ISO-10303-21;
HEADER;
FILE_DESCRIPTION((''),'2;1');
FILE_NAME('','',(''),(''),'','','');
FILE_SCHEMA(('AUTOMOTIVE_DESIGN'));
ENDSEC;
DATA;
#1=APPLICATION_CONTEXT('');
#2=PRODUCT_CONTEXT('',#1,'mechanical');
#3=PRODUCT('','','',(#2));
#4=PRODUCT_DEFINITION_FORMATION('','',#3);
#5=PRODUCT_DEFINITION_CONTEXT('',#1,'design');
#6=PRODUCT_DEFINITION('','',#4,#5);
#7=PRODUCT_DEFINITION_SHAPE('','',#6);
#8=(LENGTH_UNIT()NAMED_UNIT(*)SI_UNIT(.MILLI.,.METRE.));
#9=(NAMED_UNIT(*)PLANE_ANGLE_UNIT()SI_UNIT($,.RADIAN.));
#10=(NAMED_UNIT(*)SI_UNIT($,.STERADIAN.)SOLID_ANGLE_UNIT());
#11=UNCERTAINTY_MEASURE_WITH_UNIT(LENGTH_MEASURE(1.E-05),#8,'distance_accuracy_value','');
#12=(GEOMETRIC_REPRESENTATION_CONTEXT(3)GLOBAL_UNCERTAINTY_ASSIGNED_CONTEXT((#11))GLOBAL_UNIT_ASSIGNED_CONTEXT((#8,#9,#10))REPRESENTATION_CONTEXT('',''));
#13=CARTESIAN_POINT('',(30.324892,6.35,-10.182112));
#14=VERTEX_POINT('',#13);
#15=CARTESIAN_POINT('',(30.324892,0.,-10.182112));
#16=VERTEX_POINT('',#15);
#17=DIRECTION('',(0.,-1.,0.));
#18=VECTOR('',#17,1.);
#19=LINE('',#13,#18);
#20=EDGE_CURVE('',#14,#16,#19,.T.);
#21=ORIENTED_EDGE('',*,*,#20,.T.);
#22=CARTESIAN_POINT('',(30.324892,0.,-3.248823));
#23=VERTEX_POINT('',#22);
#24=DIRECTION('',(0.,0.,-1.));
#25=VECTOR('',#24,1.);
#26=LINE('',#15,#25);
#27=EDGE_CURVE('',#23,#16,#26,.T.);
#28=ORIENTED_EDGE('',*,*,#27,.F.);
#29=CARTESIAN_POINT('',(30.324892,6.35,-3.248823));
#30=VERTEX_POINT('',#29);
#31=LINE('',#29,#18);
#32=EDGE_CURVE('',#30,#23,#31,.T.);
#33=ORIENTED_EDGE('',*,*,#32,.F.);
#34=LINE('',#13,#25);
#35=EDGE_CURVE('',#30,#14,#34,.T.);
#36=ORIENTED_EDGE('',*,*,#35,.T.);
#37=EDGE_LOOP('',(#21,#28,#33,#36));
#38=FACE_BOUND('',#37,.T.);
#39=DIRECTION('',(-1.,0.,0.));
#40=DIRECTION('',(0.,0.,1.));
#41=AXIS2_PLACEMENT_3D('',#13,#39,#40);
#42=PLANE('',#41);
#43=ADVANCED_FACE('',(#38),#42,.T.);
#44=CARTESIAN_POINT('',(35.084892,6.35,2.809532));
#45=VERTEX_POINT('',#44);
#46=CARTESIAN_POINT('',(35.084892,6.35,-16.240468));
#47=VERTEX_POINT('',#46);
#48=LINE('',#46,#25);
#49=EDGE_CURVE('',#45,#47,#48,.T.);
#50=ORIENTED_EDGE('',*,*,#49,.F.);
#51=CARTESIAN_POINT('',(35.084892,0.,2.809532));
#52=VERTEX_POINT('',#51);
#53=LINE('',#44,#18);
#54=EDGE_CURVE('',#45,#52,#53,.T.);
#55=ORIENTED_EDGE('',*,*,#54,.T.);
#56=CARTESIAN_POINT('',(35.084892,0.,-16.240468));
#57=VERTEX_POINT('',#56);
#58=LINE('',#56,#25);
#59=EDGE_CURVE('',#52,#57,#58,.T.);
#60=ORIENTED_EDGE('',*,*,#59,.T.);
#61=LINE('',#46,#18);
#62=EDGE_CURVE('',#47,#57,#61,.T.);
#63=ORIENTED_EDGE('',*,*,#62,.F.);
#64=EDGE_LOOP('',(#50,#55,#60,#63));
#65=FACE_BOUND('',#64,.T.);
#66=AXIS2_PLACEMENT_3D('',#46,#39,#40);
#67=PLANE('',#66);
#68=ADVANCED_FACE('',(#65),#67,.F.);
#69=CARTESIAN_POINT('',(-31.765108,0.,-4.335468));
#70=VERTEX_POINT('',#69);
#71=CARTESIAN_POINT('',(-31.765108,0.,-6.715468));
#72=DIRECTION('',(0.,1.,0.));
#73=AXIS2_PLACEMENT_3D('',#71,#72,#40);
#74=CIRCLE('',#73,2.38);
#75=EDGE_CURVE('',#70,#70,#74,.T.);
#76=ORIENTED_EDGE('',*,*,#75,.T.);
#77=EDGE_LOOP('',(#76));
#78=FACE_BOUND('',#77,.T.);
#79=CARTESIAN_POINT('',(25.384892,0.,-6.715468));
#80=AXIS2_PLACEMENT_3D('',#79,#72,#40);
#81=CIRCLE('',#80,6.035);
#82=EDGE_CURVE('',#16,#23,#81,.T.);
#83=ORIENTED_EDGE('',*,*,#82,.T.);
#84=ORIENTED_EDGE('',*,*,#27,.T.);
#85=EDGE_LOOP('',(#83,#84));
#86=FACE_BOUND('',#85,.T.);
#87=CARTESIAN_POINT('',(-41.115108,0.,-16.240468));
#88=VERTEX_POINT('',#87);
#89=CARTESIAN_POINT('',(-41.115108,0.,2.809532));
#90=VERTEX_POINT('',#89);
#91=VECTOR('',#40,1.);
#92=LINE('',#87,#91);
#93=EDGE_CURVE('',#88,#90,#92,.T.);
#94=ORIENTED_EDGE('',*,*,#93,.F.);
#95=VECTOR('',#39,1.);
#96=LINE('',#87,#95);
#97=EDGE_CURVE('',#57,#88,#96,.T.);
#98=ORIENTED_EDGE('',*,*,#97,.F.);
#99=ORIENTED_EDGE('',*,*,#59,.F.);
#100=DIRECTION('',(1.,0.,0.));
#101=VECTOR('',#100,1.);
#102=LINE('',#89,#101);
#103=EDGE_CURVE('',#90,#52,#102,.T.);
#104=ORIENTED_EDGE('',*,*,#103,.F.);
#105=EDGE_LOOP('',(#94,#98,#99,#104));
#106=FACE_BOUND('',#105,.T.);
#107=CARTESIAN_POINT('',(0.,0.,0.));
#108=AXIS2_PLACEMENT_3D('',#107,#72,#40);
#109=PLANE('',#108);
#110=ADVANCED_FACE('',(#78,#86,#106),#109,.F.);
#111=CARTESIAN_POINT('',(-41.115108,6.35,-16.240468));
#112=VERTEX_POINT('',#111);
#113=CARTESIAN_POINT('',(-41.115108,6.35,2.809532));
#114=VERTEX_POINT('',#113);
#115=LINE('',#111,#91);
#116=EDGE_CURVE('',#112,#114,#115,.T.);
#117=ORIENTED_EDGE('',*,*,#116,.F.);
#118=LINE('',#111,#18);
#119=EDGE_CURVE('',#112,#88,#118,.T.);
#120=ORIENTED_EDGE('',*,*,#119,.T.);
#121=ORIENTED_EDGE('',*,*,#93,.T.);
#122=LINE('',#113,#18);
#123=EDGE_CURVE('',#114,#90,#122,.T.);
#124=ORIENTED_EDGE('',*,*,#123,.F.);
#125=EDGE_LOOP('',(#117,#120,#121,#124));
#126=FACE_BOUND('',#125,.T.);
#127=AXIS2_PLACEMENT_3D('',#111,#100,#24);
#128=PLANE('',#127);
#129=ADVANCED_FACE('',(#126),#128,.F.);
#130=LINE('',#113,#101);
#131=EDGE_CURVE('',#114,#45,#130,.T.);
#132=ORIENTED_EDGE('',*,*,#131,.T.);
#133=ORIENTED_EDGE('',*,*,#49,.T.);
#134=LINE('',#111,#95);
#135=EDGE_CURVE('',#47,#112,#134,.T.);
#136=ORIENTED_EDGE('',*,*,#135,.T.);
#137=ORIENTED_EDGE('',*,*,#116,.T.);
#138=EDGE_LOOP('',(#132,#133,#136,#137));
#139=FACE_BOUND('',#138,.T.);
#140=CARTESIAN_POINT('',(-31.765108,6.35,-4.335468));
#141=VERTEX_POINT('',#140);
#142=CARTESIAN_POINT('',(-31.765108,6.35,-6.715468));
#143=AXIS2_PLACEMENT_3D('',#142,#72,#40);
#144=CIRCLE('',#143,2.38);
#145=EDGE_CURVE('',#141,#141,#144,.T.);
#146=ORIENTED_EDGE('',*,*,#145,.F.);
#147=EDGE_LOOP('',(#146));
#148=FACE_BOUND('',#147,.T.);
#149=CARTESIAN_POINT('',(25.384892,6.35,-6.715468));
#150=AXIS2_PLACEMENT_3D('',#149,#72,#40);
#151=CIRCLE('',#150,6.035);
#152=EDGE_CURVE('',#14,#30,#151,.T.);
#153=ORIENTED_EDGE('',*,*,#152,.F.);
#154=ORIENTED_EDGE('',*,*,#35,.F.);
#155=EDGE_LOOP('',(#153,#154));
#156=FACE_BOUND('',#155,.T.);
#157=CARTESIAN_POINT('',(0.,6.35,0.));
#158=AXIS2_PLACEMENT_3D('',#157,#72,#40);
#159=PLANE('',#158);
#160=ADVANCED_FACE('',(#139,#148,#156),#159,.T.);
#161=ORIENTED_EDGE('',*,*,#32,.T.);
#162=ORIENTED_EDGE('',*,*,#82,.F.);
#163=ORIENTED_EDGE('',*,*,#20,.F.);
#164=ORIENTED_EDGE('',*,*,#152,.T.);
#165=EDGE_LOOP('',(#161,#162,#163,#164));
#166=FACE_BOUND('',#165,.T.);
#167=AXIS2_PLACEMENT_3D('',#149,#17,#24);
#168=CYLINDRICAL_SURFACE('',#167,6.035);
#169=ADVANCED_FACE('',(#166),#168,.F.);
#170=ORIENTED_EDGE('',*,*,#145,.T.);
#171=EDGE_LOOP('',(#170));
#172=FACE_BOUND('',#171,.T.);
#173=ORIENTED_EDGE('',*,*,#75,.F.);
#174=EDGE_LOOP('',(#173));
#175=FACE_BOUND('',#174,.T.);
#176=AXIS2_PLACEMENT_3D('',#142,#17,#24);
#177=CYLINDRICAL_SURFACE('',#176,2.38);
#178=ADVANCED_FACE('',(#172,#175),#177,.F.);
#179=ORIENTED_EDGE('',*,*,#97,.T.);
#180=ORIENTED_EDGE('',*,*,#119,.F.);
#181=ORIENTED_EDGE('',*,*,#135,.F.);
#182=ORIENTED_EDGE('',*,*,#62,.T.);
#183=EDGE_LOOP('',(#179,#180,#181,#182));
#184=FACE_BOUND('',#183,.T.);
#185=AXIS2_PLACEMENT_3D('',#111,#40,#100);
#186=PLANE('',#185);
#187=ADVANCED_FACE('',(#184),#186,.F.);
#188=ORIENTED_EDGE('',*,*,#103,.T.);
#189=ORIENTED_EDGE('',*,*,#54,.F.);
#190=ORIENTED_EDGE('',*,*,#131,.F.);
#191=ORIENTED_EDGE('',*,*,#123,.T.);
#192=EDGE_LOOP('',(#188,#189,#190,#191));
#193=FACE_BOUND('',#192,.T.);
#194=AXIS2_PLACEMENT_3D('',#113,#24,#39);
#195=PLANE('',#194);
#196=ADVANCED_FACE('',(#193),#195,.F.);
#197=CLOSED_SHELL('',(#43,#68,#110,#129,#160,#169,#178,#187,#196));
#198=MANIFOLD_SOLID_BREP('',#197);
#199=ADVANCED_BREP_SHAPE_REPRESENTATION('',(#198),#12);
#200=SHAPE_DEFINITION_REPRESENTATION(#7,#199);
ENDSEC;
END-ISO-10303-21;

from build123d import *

# Parameters (mm, degrees)
IZIM1_W                     = 76.2
IZIM1_H                     = 19.05
IZIM1_R                     = 2.38
Y_KSEKLIK_EKSTR_ZYON1_DEPTH = 6.35


with BuildPart() as part:
    # Çizim1 → Yükseklik-Ekstrüzyon1 (new body)
    with BuildSketch(Plane(origin=(0, 0, 0), x_dir=(1, 0, 0), z_dir=(0, 1, 0))):
        with Locations((-3.015107914, 6.715467626)):
            Rectangle(IZIM1_W, IZIM1_H)
        with Locations(Location((-31.765107914, 6.715467626, 0), (0, 0, 270))):
            Circle(IZIM1_R, mode=Mode.SUBTRACT)
        with BuildLine():
            Line((30.324892086, 10.182112257), (30.324892086, 3.248822995))
            ThreePointArc((30.324892086, 3.248822995), (19.349892086, 6.715467626), (30.324892086, 10.182112257))
        make_face(mode=Mode.SUBTRACT)
    extrude(amount=Y_KSEKLIK_EKSTR_ZYON1_DEPTH)


solid = part.part
